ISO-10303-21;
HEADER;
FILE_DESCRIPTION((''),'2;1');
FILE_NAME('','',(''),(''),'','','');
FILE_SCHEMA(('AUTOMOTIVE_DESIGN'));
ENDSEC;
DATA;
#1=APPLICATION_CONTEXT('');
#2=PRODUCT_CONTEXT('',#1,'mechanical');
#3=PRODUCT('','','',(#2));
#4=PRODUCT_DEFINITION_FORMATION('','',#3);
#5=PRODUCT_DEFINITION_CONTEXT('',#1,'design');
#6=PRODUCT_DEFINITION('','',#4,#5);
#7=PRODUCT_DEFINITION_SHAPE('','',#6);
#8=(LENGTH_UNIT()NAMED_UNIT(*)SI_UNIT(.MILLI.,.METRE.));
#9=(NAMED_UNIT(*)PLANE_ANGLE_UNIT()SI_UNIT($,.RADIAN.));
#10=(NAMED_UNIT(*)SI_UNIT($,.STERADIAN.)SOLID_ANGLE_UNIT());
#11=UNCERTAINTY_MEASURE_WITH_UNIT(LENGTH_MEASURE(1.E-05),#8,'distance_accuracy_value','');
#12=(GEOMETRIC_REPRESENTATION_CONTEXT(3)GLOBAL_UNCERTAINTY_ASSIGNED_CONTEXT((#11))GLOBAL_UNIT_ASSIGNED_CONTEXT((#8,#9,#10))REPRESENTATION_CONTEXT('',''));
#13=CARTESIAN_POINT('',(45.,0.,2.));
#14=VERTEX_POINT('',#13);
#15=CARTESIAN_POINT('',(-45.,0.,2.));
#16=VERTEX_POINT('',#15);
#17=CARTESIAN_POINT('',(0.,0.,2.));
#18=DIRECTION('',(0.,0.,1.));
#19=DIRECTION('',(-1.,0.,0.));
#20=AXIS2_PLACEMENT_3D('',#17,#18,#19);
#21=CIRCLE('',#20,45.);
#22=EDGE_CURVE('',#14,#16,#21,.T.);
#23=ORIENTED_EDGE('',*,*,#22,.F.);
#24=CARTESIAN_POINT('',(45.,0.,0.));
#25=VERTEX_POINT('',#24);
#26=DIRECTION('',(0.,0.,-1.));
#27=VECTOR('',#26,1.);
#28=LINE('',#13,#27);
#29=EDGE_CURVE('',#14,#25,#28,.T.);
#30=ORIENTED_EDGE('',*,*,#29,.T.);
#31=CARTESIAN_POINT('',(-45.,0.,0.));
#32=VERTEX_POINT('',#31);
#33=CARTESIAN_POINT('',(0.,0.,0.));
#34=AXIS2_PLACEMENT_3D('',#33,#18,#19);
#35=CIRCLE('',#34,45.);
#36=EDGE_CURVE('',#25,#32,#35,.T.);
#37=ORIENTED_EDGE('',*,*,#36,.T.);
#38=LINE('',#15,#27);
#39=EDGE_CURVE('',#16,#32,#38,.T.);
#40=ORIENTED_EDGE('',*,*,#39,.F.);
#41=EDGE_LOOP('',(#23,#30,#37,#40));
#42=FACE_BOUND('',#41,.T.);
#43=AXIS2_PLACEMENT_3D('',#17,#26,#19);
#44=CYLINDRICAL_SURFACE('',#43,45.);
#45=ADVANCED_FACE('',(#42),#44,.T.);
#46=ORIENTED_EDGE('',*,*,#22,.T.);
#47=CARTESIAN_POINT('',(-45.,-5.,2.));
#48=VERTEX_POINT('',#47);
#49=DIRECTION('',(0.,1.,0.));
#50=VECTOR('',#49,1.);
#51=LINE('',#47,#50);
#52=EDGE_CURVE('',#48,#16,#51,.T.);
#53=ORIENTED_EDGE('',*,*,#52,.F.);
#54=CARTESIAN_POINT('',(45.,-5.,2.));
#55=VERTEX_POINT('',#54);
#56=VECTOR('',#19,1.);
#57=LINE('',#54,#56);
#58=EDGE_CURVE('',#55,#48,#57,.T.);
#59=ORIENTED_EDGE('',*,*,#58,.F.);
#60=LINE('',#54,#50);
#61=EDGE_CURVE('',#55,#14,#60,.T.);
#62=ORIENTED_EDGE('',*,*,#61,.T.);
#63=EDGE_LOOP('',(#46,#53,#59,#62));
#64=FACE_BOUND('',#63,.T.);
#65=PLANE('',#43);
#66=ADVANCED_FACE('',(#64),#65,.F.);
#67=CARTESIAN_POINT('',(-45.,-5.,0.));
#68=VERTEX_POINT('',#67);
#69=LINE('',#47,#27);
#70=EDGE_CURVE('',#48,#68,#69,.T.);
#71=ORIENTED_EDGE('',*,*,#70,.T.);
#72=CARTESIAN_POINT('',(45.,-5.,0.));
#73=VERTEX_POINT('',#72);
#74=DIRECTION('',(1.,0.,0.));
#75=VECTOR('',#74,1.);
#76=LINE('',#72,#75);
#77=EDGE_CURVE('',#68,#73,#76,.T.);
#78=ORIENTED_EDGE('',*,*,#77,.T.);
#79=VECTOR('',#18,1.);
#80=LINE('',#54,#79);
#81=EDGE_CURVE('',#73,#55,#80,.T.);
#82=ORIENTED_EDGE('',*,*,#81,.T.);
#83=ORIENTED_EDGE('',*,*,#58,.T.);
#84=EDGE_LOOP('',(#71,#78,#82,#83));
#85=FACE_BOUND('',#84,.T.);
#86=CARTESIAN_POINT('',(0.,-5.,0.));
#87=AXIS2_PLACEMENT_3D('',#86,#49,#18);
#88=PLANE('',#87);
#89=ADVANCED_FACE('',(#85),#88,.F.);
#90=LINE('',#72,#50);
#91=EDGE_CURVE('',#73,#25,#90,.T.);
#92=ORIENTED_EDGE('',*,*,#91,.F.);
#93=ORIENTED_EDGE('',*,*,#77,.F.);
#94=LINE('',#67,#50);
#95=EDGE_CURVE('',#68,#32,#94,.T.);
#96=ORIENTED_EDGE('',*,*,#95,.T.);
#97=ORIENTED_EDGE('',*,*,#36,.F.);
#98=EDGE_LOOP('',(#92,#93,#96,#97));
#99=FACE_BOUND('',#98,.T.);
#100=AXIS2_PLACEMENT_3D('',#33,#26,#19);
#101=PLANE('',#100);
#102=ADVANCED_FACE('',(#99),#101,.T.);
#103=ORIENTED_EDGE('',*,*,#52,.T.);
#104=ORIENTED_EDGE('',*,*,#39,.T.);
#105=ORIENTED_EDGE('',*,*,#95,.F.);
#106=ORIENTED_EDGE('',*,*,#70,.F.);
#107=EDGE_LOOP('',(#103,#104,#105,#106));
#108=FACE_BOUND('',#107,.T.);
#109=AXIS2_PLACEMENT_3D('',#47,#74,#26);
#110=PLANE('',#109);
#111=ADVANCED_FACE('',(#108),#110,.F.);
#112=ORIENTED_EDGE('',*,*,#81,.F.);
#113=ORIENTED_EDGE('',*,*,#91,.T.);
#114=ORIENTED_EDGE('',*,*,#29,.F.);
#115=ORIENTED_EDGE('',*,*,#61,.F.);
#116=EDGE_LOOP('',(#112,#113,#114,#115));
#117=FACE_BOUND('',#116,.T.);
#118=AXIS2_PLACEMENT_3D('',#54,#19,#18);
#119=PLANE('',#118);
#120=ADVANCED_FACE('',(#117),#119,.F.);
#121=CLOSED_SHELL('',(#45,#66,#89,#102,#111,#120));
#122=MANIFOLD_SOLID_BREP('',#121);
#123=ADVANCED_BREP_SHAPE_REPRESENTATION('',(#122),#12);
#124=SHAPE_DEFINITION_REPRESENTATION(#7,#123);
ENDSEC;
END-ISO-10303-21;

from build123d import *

# Parameters (mm, degrees)
BOSS_EXTRUDE1_DEPTH = 2
SKETCH2_W           = 90
SKETCH2_H           = 2
BOSS_EXTRUDE2_DEPTH = 5


with BuildPart() as part:
    # Sketch1 → Boss-Extrude1 (new body)
    with BuildSketch(Plane.XY):
        with BuildLine():
            Line((-45, 0), (45, 0))
            ThreePointArc((45, 0), (0, 45), (-45, 0))
        make_face()
    extrude(amount=BOSS_EXTRUDE1_DEPTH)

    # Sketch2 → Boss-Extrude2 (add)
    with BuildSketch(Plane.XZ):
        with Locations((0, 1)):
            Rectangle(SKETCH2_W, SKETCH2_H)
    extrude(amount=BOSS_EXTRUDE2_DEPTH)


solid = part.part
